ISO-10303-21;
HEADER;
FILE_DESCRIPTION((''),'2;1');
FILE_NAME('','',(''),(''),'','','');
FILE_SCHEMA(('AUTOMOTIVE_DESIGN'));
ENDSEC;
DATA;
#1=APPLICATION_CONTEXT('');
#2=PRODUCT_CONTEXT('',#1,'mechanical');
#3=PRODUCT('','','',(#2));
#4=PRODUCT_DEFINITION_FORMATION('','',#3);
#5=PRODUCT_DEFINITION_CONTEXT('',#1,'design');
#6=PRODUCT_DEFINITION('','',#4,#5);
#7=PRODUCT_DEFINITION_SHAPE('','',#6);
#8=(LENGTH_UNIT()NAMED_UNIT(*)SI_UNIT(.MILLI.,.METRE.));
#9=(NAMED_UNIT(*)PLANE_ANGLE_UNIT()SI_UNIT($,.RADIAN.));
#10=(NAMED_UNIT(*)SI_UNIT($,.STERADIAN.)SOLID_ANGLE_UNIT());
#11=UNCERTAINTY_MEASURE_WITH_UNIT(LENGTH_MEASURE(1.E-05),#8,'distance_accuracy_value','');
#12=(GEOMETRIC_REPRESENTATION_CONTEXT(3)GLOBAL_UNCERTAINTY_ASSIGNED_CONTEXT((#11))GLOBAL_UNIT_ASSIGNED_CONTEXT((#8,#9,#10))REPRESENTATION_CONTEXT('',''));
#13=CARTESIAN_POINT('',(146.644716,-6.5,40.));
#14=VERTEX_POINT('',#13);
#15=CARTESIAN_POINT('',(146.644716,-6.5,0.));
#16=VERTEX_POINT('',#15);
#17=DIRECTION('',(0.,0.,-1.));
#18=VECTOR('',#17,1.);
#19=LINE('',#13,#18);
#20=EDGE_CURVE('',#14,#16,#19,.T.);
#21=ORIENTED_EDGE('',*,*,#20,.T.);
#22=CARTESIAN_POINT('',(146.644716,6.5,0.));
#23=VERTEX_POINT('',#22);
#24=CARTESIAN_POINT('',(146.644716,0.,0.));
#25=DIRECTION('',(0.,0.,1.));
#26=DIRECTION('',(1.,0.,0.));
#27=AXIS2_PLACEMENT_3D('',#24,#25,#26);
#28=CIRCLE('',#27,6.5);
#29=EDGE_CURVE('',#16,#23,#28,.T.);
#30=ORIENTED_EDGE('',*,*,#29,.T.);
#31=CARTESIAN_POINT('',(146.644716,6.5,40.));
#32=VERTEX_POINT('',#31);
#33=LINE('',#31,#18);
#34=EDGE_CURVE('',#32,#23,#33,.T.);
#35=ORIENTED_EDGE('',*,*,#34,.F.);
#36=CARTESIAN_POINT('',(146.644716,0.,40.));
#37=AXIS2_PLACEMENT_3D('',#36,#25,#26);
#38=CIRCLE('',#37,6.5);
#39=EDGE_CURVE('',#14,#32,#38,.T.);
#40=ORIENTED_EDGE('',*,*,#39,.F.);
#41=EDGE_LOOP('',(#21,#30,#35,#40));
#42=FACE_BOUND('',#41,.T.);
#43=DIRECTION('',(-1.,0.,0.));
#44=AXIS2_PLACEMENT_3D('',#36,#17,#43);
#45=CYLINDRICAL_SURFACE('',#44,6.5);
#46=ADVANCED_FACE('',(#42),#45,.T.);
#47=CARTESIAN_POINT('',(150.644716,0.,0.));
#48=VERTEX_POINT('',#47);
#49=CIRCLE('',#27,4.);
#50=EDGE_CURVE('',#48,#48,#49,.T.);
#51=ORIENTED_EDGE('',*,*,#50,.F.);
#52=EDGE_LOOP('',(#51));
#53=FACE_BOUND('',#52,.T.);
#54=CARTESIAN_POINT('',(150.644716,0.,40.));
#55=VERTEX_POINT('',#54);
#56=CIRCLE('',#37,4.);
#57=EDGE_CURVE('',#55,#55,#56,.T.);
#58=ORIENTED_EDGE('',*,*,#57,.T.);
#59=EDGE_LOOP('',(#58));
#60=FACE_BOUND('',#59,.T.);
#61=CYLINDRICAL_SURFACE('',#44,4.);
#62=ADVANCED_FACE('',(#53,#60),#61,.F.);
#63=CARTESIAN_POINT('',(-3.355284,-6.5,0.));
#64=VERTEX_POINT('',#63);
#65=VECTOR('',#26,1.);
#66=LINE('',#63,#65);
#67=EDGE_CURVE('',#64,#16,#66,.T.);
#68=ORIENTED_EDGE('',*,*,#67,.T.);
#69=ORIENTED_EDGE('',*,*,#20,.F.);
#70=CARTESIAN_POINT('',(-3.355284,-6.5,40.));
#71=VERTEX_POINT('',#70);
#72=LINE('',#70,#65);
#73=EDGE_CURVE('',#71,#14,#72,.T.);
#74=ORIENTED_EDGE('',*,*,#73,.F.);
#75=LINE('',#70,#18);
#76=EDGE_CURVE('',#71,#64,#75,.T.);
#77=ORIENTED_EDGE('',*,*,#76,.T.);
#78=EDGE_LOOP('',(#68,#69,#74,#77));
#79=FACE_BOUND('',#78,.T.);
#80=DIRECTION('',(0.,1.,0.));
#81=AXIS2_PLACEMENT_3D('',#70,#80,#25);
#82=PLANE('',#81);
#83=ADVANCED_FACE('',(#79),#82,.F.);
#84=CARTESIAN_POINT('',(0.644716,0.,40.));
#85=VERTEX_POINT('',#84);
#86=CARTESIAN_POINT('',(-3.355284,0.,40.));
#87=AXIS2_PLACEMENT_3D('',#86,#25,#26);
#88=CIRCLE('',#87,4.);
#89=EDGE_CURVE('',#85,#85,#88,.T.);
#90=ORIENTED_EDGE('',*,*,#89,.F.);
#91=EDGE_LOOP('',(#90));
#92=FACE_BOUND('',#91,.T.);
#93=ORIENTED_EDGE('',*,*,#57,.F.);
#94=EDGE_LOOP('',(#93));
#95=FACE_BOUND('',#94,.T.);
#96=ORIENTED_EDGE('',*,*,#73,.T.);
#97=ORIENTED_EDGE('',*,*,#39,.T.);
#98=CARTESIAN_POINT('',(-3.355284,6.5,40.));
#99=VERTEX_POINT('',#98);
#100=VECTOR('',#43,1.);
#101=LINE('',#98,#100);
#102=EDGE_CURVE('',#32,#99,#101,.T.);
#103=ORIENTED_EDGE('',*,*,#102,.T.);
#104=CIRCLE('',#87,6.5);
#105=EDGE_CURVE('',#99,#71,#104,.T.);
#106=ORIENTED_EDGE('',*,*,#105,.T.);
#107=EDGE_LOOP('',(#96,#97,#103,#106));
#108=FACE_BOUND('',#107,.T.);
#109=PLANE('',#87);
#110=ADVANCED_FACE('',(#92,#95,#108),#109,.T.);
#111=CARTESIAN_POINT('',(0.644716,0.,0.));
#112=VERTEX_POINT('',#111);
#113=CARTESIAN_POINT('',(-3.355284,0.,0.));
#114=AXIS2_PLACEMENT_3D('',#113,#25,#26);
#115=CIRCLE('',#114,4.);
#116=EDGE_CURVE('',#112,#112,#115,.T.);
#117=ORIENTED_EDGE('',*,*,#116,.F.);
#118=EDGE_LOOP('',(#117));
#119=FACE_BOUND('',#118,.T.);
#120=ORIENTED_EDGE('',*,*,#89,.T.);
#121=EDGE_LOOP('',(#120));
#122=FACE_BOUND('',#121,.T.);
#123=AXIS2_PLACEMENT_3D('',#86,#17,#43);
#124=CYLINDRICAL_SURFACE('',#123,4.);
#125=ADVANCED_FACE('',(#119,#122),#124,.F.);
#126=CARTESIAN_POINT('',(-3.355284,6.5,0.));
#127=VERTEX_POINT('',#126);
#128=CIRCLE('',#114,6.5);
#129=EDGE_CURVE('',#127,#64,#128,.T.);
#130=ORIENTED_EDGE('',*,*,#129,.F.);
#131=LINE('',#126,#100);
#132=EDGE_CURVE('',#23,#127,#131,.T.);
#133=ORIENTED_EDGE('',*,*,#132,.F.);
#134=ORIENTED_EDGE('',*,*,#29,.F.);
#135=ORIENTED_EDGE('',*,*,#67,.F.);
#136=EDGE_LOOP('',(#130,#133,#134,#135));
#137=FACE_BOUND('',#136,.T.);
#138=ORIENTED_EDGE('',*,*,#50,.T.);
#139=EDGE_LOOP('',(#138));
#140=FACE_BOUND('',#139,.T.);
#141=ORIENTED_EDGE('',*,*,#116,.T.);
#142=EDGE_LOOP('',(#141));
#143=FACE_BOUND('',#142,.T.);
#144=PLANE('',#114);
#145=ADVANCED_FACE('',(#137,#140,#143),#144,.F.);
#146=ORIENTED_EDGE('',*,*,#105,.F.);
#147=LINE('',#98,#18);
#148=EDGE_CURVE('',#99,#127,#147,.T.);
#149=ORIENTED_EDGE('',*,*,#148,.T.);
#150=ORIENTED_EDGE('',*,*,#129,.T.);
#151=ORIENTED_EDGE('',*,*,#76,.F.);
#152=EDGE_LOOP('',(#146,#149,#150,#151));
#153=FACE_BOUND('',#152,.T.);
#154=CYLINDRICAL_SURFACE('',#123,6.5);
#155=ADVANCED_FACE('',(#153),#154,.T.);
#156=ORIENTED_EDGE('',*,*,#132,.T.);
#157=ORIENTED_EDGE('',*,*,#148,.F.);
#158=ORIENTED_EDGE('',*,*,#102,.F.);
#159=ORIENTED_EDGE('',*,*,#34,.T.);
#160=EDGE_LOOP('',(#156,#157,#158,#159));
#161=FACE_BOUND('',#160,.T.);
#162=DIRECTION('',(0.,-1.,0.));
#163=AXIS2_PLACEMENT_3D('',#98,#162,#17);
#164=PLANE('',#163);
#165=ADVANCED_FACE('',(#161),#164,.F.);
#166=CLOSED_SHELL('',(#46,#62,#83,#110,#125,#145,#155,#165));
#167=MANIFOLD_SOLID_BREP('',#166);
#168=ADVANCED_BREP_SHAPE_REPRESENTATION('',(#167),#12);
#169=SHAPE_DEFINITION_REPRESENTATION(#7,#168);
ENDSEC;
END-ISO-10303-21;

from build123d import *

# Parameters (mm, degrees)
SZKIC1_R                    = 4
DODANIE_WYCI_GNI_CIE1_DEPTH = 40


with BuildPart() as part:
    # Szkic1 → Dodanie-wyciągnięcie1 (new body)
    with BuildSketch(Plane.XY):
        with BuildLine():
            Line((-3.355283808, 6.5), (146.644716192, 6.5))
            ThreePointArc((146.644716192, 6.5), (153.144716192, 0), (146.644716192, -6.5))
            Line((146.644716192, -6.5), (-3.355283808, -6.5))
            ThreePointArc((-3.355283808, -6.5), (-9.855283808, 0), (-3.355283808, 6.5))
        make_face()
        with Locations((-3.355283808, 0)):
            Circle(SZKIC1_R, mode=Mode.SUBTRACT)
        with Locations((146.644716192, 0)):
            Circle(SZKIC1_R, mode=Mode.SUBTRACT)
    extrude(amount=DODANIE_WYCI_GNI_CIE1_DEPTH)


solid = part.part
